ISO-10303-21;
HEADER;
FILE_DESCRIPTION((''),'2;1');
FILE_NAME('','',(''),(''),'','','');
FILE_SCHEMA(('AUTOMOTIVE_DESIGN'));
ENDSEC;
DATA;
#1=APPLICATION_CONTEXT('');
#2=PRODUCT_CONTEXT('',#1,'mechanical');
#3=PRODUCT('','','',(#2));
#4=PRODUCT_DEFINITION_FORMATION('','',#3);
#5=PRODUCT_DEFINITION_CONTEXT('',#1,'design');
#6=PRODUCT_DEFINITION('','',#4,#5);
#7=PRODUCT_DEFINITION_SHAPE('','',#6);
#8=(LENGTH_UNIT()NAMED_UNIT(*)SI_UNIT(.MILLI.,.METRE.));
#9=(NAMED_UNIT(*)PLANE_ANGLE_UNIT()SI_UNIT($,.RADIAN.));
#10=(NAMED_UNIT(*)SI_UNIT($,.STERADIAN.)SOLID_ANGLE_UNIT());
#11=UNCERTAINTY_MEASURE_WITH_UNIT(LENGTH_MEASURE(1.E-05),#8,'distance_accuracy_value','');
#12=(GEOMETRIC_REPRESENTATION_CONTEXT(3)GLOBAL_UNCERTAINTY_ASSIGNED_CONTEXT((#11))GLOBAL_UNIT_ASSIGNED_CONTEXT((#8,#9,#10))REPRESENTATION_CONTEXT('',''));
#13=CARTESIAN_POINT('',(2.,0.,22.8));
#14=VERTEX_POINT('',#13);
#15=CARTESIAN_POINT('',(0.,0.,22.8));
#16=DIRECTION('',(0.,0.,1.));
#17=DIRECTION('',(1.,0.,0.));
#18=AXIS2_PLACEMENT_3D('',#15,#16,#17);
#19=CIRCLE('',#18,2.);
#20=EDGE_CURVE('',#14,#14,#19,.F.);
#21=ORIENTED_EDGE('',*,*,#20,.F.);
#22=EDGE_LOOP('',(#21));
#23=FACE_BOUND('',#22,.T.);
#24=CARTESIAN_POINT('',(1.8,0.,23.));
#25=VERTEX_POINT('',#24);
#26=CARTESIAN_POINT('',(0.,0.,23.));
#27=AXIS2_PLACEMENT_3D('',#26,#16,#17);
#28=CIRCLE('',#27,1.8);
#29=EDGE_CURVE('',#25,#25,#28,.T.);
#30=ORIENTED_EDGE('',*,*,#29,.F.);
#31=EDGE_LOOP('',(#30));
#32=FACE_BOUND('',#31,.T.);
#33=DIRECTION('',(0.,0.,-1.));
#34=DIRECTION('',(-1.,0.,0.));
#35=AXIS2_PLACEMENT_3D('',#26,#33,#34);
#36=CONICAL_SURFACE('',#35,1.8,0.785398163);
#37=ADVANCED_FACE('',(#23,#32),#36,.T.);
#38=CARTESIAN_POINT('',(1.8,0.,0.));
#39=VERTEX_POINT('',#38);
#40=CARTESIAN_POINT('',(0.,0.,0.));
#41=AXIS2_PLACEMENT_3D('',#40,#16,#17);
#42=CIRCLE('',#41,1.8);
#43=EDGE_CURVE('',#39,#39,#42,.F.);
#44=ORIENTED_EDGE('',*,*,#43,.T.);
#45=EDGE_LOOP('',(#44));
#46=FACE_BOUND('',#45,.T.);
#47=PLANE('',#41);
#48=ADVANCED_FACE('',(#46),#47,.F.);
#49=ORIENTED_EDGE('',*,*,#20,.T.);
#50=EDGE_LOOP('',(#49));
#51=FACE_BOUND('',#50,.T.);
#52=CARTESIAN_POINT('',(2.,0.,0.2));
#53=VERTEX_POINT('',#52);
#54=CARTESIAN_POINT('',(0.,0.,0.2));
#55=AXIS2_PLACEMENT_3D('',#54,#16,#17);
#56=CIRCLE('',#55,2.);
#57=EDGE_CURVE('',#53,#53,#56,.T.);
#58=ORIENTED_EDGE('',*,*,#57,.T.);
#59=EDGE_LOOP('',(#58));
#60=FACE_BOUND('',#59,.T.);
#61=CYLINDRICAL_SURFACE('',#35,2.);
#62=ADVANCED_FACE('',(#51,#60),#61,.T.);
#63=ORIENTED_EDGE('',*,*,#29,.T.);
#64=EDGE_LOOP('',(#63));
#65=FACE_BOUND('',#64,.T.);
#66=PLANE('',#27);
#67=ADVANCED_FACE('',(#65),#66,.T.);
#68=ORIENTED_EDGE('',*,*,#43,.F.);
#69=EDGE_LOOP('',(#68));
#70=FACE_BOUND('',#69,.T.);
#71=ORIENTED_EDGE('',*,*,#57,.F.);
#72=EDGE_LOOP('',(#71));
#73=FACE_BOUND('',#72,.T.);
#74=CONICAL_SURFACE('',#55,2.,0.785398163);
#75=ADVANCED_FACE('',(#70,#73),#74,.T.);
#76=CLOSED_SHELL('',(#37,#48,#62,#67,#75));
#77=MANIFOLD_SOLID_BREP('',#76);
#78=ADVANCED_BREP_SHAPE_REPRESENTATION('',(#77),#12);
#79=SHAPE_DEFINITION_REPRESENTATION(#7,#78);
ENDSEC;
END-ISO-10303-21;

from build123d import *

# Parameters (mm, degrees)
SKETCH_1_R      = 2
EXTRUDE_1_DEPTH = 23
CHAMFER_1_SIZE  = 0.2


with BuildPart() as part:
    # 草图1 → 凸台-拉伸1 (new body)
    with BuildSketch(Plane.XY):
        Circle(SKETCH_1_R)
    extrude(amount=EXTRUDE_1_DEPTH)

    # 倒角1
    chamfer_1_edges = [part.edges().sort_by_distance(p)[0] for p in [
        (-2, 0, 0),
        (-2, 0, 23),
    ]]
    chamfer(chamfer_1_edges, length=CHAMFER_1_SIZE)


solid = part.part
